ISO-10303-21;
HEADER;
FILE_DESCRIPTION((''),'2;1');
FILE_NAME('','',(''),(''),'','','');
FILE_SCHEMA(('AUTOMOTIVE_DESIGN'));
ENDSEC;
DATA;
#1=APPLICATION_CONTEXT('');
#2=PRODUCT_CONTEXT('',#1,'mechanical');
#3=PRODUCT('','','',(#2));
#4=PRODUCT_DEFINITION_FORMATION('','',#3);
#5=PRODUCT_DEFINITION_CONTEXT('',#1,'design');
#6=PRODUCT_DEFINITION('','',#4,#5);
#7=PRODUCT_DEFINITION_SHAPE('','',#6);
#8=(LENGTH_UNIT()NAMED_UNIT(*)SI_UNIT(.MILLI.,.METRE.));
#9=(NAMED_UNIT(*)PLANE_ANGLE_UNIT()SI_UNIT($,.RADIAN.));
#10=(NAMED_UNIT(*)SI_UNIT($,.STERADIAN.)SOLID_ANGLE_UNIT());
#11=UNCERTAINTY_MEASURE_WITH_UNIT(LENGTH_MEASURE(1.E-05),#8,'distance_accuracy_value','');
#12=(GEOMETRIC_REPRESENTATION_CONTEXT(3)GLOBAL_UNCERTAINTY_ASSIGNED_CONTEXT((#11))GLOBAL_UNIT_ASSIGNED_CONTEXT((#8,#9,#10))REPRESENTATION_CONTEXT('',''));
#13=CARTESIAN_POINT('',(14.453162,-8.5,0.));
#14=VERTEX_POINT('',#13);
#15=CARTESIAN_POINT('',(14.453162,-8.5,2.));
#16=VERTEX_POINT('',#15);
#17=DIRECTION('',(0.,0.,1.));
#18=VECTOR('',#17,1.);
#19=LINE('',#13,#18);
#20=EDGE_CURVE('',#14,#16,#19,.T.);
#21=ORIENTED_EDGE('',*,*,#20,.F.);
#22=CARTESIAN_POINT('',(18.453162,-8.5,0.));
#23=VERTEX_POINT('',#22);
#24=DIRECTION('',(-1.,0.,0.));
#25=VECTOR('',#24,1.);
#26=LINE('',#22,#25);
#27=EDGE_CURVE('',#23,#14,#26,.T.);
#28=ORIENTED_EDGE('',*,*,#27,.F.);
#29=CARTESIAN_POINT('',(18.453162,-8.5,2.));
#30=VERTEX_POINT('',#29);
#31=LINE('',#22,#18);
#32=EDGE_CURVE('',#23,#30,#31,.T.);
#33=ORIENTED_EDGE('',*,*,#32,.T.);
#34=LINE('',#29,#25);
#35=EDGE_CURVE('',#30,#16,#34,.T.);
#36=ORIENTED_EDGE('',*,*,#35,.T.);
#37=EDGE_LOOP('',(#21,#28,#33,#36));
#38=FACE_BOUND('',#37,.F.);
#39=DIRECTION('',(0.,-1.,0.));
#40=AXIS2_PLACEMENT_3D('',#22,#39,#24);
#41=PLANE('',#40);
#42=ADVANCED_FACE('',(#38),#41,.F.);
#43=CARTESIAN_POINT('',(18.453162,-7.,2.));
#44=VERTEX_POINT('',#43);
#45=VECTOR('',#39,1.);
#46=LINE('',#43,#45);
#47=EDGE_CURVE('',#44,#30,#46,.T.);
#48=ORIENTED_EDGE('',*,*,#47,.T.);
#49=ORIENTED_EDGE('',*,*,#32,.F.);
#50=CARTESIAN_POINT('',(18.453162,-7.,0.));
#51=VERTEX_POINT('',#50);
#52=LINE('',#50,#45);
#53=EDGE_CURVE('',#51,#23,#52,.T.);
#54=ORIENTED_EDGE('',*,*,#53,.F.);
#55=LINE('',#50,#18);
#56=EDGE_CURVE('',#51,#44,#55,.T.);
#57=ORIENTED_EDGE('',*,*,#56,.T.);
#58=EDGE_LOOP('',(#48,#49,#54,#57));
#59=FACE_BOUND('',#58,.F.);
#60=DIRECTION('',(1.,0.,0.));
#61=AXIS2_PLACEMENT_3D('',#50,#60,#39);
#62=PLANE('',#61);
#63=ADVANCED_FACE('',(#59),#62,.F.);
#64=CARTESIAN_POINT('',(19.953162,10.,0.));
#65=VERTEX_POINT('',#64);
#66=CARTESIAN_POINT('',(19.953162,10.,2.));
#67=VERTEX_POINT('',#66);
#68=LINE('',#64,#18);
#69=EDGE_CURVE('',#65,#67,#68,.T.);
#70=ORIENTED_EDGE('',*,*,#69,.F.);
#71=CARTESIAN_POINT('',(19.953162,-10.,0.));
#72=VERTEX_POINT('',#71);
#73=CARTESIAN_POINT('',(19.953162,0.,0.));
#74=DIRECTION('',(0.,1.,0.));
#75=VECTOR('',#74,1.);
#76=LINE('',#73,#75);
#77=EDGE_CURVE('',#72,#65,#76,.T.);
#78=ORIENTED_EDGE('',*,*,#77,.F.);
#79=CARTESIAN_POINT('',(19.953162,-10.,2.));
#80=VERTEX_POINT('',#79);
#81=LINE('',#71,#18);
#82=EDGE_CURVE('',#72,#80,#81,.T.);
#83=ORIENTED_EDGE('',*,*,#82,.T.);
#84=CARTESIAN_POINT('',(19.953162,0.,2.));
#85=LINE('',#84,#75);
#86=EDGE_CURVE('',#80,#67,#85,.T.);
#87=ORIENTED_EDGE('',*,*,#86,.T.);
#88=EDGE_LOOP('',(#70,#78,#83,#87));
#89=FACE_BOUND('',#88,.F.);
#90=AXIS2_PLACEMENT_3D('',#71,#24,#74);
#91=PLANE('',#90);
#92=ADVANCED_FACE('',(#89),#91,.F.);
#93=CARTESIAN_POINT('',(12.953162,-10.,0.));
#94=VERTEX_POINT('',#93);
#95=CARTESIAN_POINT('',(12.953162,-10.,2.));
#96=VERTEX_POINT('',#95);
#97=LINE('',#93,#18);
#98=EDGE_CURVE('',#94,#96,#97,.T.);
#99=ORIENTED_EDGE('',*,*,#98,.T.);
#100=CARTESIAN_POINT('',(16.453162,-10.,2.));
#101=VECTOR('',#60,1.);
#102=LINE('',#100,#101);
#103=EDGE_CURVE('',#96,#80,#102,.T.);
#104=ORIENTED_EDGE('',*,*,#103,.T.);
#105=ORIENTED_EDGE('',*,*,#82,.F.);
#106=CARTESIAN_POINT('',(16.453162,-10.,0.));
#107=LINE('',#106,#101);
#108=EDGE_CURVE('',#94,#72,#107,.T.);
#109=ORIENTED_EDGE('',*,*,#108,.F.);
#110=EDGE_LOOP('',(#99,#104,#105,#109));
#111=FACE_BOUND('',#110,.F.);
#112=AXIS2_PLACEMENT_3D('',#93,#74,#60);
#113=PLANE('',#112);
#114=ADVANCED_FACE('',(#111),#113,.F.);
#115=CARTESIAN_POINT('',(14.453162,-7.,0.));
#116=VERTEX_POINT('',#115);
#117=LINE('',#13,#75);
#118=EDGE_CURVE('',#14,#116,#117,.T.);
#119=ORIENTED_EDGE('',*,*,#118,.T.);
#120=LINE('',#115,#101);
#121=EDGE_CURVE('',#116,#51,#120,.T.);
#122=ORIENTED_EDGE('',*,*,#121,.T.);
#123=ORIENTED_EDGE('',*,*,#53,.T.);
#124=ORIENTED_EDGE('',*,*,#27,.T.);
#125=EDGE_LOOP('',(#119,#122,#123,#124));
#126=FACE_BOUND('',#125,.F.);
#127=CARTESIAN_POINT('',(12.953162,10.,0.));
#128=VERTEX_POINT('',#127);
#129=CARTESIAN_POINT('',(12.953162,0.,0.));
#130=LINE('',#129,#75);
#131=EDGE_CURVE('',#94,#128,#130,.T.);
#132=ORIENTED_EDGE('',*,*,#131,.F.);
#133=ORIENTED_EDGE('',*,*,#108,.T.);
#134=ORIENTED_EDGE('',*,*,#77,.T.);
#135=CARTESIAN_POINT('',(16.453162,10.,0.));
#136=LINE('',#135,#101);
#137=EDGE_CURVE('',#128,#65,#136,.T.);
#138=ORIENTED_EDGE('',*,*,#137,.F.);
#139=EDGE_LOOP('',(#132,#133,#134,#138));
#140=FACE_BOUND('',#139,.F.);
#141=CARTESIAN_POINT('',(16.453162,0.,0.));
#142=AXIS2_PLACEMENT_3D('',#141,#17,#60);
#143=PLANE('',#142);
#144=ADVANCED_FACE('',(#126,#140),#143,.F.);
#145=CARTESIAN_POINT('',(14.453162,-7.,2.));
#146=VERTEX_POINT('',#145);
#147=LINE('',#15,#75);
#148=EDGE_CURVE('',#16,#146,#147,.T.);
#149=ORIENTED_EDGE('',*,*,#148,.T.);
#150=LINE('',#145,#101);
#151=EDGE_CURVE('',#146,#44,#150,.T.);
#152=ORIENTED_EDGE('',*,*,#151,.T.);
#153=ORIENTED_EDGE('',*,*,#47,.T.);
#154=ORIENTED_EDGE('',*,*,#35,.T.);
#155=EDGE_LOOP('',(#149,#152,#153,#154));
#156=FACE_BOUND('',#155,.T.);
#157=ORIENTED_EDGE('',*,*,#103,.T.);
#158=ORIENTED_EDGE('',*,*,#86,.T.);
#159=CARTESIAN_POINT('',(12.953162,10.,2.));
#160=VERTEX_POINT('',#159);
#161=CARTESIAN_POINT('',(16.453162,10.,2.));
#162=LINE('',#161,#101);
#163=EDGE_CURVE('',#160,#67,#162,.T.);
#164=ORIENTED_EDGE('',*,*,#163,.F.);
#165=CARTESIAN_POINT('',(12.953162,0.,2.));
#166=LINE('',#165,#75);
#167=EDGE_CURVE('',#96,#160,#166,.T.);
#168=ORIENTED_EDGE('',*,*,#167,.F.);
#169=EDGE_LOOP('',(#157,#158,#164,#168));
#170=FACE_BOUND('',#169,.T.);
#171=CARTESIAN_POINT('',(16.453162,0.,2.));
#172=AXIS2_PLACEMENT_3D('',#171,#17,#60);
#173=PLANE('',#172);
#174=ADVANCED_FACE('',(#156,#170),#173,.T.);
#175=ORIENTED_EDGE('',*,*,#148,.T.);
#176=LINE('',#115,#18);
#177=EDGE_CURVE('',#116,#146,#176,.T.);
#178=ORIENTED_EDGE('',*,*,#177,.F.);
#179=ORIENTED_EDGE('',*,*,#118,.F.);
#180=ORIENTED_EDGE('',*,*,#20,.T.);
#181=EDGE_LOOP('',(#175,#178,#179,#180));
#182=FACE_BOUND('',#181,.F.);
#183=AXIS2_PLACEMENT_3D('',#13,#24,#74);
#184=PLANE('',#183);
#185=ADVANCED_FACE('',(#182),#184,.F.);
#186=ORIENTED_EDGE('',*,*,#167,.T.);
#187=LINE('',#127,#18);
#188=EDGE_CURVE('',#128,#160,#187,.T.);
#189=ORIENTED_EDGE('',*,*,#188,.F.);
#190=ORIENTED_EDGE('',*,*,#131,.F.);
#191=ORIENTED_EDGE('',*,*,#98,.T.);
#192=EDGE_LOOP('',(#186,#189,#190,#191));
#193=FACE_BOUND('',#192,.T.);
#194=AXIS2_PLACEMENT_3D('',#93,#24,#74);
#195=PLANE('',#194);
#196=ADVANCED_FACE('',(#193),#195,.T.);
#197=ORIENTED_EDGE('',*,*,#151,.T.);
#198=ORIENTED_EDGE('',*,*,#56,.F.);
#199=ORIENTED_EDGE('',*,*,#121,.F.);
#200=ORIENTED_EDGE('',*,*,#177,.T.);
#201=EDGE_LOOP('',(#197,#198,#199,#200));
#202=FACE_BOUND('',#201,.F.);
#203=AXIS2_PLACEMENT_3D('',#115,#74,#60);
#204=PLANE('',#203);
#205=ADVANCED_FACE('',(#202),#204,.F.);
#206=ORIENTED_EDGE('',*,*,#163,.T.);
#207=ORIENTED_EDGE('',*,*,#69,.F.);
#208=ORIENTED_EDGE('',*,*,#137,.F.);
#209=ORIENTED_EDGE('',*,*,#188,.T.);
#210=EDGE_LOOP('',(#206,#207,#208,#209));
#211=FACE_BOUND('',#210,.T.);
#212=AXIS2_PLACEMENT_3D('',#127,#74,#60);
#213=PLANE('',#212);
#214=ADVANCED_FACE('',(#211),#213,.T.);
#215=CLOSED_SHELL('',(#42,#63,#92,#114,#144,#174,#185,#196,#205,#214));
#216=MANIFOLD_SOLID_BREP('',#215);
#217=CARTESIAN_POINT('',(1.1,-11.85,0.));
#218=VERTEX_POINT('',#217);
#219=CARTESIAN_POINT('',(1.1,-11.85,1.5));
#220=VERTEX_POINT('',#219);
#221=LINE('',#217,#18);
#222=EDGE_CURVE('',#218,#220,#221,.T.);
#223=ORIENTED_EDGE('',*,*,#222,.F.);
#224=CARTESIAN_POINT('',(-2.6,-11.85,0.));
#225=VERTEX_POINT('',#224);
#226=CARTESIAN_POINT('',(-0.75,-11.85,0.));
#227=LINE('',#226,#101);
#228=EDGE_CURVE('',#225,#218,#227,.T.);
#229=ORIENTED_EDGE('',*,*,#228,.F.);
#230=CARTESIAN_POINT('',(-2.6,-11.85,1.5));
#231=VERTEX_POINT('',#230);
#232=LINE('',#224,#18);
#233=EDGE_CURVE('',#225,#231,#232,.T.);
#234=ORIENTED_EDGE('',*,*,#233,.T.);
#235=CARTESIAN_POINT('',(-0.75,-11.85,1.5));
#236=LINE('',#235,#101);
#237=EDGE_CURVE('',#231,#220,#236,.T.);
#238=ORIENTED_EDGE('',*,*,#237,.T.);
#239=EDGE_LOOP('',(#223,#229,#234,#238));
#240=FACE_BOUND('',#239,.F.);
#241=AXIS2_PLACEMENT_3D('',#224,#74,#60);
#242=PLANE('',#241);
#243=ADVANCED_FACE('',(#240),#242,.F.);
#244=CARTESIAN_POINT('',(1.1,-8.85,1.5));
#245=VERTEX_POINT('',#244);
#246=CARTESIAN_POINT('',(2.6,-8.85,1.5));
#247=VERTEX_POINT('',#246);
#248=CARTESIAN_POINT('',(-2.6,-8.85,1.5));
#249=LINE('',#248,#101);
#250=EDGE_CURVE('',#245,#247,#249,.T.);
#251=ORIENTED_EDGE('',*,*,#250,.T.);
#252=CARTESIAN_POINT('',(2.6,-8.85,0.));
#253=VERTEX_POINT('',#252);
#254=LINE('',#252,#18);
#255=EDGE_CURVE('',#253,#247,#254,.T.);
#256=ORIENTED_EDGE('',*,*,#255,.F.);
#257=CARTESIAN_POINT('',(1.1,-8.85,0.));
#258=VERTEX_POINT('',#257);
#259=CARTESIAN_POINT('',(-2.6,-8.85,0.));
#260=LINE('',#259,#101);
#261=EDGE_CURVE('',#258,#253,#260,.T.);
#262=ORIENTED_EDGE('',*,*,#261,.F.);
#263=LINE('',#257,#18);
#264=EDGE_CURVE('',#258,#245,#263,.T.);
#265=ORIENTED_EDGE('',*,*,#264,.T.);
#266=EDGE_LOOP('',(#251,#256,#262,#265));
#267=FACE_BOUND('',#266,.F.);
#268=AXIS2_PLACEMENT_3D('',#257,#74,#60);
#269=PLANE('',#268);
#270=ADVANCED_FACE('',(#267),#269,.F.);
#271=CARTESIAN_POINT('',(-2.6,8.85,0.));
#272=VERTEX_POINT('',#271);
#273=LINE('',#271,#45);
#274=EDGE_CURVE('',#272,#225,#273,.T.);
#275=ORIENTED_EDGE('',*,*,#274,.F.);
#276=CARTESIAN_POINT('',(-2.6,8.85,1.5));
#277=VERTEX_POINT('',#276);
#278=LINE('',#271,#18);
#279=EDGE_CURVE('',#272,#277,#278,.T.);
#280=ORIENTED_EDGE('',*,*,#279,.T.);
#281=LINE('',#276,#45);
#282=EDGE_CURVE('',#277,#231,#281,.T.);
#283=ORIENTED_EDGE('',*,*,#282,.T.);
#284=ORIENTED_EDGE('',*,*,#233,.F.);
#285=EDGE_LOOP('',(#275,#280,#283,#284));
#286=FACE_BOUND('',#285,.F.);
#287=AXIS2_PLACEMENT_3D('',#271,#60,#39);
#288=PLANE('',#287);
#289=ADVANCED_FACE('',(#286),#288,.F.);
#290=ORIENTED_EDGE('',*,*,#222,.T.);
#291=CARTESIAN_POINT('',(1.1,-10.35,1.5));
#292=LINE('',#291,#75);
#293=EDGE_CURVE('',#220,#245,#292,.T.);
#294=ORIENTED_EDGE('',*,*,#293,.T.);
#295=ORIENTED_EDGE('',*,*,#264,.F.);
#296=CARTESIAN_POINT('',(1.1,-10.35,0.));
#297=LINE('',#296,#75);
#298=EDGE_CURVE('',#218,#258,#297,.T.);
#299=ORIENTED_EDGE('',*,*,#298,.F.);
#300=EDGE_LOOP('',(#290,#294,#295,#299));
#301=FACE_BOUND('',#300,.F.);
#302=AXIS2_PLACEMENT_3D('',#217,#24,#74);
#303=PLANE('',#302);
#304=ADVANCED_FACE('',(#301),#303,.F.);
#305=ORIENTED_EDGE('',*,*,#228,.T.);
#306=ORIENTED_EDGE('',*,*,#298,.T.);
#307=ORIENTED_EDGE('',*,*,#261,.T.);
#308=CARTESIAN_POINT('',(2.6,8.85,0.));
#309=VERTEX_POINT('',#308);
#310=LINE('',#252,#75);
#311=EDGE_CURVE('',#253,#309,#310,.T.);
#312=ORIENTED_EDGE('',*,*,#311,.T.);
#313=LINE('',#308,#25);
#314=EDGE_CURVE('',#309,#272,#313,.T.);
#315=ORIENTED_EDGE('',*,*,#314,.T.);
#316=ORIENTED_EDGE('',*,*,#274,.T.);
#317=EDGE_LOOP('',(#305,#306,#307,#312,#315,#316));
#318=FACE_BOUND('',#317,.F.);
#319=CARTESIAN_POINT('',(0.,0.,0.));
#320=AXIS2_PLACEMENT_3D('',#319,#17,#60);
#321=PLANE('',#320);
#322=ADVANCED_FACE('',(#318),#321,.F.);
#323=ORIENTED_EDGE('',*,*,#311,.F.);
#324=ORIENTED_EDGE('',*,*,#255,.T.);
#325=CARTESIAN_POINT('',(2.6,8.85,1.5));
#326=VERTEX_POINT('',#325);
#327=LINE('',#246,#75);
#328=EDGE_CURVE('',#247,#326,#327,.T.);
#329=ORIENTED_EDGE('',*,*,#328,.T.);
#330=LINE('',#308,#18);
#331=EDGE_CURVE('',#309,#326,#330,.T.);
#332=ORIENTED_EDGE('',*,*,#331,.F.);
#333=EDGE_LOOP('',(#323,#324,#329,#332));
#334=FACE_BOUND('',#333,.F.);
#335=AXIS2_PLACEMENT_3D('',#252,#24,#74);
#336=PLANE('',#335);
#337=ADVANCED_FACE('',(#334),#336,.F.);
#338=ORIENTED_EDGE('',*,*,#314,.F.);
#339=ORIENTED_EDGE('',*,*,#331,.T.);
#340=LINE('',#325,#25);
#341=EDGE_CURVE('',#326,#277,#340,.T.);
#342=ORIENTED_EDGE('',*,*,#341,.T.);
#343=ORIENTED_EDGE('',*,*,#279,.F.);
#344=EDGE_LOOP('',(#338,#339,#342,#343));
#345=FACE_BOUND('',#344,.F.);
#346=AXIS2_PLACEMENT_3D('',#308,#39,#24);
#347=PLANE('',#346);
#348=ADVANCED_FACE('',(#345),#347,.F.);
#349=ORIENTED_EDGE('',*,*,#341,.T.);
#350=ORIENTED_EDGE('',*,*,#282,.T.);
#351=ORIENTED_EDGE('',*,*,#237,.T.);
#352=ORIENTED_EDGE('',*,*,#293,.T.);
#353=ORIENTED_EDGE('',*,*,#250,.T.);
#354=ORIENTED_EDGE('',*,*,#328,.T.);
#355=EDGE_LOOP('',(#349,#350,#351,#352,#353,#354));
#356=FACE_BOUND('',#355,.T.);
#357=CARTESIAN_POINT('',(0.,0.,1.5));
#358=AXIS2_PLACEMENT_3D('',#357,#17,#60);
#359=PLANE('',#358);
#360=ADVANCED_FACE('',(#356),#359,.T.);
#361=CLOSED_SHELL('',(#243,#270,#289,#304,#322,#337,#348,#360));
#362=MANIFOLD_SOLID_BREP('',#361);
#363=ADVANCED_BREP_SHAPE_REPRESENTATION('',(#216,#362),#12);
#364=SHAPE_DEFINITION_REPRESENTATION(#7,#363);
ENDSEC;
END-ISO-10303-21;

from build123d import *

# Parameters (mm, degrees)
F0_W     = 3.7
F0_H     = 3
F1_DEPTH = 1.5
F2_W     = 7
F2_H     = 20
F3_DEPTH = 2


with BuildPart() as f1:
    # F0 (on Top) → F1 (new body)
    with BuildSketch(Plane.XY):
        Polygon((2.6, -8.85), (2.6, 8.85), (-2.6, 8.85), (-2.6, -8.85), (1.1, -8.85), align=None)
        with Locations((-0.75, -10.35)):
            Rectangle(F0_W, F0_H)
    extrude(amount=F1_DEPTH)


with BuildPart() as f3:
    # F2 (on Top) → F3 (new body)
    with BuildSketch(Plane.XY):
        with Locations((16.453162, 0)):
            Rectangle(F2_W, F2_H)
        Polygon((18.453162, -8.5), (16.453162, -8.5), (14.453162, -8.5), (14.453162, -7), (18.453162, -7), align=None, mode=Mode.SUBTRACT)
    extrude(amount=F3_DEPTH)


solid = Compound([f1.part, f3.part])
